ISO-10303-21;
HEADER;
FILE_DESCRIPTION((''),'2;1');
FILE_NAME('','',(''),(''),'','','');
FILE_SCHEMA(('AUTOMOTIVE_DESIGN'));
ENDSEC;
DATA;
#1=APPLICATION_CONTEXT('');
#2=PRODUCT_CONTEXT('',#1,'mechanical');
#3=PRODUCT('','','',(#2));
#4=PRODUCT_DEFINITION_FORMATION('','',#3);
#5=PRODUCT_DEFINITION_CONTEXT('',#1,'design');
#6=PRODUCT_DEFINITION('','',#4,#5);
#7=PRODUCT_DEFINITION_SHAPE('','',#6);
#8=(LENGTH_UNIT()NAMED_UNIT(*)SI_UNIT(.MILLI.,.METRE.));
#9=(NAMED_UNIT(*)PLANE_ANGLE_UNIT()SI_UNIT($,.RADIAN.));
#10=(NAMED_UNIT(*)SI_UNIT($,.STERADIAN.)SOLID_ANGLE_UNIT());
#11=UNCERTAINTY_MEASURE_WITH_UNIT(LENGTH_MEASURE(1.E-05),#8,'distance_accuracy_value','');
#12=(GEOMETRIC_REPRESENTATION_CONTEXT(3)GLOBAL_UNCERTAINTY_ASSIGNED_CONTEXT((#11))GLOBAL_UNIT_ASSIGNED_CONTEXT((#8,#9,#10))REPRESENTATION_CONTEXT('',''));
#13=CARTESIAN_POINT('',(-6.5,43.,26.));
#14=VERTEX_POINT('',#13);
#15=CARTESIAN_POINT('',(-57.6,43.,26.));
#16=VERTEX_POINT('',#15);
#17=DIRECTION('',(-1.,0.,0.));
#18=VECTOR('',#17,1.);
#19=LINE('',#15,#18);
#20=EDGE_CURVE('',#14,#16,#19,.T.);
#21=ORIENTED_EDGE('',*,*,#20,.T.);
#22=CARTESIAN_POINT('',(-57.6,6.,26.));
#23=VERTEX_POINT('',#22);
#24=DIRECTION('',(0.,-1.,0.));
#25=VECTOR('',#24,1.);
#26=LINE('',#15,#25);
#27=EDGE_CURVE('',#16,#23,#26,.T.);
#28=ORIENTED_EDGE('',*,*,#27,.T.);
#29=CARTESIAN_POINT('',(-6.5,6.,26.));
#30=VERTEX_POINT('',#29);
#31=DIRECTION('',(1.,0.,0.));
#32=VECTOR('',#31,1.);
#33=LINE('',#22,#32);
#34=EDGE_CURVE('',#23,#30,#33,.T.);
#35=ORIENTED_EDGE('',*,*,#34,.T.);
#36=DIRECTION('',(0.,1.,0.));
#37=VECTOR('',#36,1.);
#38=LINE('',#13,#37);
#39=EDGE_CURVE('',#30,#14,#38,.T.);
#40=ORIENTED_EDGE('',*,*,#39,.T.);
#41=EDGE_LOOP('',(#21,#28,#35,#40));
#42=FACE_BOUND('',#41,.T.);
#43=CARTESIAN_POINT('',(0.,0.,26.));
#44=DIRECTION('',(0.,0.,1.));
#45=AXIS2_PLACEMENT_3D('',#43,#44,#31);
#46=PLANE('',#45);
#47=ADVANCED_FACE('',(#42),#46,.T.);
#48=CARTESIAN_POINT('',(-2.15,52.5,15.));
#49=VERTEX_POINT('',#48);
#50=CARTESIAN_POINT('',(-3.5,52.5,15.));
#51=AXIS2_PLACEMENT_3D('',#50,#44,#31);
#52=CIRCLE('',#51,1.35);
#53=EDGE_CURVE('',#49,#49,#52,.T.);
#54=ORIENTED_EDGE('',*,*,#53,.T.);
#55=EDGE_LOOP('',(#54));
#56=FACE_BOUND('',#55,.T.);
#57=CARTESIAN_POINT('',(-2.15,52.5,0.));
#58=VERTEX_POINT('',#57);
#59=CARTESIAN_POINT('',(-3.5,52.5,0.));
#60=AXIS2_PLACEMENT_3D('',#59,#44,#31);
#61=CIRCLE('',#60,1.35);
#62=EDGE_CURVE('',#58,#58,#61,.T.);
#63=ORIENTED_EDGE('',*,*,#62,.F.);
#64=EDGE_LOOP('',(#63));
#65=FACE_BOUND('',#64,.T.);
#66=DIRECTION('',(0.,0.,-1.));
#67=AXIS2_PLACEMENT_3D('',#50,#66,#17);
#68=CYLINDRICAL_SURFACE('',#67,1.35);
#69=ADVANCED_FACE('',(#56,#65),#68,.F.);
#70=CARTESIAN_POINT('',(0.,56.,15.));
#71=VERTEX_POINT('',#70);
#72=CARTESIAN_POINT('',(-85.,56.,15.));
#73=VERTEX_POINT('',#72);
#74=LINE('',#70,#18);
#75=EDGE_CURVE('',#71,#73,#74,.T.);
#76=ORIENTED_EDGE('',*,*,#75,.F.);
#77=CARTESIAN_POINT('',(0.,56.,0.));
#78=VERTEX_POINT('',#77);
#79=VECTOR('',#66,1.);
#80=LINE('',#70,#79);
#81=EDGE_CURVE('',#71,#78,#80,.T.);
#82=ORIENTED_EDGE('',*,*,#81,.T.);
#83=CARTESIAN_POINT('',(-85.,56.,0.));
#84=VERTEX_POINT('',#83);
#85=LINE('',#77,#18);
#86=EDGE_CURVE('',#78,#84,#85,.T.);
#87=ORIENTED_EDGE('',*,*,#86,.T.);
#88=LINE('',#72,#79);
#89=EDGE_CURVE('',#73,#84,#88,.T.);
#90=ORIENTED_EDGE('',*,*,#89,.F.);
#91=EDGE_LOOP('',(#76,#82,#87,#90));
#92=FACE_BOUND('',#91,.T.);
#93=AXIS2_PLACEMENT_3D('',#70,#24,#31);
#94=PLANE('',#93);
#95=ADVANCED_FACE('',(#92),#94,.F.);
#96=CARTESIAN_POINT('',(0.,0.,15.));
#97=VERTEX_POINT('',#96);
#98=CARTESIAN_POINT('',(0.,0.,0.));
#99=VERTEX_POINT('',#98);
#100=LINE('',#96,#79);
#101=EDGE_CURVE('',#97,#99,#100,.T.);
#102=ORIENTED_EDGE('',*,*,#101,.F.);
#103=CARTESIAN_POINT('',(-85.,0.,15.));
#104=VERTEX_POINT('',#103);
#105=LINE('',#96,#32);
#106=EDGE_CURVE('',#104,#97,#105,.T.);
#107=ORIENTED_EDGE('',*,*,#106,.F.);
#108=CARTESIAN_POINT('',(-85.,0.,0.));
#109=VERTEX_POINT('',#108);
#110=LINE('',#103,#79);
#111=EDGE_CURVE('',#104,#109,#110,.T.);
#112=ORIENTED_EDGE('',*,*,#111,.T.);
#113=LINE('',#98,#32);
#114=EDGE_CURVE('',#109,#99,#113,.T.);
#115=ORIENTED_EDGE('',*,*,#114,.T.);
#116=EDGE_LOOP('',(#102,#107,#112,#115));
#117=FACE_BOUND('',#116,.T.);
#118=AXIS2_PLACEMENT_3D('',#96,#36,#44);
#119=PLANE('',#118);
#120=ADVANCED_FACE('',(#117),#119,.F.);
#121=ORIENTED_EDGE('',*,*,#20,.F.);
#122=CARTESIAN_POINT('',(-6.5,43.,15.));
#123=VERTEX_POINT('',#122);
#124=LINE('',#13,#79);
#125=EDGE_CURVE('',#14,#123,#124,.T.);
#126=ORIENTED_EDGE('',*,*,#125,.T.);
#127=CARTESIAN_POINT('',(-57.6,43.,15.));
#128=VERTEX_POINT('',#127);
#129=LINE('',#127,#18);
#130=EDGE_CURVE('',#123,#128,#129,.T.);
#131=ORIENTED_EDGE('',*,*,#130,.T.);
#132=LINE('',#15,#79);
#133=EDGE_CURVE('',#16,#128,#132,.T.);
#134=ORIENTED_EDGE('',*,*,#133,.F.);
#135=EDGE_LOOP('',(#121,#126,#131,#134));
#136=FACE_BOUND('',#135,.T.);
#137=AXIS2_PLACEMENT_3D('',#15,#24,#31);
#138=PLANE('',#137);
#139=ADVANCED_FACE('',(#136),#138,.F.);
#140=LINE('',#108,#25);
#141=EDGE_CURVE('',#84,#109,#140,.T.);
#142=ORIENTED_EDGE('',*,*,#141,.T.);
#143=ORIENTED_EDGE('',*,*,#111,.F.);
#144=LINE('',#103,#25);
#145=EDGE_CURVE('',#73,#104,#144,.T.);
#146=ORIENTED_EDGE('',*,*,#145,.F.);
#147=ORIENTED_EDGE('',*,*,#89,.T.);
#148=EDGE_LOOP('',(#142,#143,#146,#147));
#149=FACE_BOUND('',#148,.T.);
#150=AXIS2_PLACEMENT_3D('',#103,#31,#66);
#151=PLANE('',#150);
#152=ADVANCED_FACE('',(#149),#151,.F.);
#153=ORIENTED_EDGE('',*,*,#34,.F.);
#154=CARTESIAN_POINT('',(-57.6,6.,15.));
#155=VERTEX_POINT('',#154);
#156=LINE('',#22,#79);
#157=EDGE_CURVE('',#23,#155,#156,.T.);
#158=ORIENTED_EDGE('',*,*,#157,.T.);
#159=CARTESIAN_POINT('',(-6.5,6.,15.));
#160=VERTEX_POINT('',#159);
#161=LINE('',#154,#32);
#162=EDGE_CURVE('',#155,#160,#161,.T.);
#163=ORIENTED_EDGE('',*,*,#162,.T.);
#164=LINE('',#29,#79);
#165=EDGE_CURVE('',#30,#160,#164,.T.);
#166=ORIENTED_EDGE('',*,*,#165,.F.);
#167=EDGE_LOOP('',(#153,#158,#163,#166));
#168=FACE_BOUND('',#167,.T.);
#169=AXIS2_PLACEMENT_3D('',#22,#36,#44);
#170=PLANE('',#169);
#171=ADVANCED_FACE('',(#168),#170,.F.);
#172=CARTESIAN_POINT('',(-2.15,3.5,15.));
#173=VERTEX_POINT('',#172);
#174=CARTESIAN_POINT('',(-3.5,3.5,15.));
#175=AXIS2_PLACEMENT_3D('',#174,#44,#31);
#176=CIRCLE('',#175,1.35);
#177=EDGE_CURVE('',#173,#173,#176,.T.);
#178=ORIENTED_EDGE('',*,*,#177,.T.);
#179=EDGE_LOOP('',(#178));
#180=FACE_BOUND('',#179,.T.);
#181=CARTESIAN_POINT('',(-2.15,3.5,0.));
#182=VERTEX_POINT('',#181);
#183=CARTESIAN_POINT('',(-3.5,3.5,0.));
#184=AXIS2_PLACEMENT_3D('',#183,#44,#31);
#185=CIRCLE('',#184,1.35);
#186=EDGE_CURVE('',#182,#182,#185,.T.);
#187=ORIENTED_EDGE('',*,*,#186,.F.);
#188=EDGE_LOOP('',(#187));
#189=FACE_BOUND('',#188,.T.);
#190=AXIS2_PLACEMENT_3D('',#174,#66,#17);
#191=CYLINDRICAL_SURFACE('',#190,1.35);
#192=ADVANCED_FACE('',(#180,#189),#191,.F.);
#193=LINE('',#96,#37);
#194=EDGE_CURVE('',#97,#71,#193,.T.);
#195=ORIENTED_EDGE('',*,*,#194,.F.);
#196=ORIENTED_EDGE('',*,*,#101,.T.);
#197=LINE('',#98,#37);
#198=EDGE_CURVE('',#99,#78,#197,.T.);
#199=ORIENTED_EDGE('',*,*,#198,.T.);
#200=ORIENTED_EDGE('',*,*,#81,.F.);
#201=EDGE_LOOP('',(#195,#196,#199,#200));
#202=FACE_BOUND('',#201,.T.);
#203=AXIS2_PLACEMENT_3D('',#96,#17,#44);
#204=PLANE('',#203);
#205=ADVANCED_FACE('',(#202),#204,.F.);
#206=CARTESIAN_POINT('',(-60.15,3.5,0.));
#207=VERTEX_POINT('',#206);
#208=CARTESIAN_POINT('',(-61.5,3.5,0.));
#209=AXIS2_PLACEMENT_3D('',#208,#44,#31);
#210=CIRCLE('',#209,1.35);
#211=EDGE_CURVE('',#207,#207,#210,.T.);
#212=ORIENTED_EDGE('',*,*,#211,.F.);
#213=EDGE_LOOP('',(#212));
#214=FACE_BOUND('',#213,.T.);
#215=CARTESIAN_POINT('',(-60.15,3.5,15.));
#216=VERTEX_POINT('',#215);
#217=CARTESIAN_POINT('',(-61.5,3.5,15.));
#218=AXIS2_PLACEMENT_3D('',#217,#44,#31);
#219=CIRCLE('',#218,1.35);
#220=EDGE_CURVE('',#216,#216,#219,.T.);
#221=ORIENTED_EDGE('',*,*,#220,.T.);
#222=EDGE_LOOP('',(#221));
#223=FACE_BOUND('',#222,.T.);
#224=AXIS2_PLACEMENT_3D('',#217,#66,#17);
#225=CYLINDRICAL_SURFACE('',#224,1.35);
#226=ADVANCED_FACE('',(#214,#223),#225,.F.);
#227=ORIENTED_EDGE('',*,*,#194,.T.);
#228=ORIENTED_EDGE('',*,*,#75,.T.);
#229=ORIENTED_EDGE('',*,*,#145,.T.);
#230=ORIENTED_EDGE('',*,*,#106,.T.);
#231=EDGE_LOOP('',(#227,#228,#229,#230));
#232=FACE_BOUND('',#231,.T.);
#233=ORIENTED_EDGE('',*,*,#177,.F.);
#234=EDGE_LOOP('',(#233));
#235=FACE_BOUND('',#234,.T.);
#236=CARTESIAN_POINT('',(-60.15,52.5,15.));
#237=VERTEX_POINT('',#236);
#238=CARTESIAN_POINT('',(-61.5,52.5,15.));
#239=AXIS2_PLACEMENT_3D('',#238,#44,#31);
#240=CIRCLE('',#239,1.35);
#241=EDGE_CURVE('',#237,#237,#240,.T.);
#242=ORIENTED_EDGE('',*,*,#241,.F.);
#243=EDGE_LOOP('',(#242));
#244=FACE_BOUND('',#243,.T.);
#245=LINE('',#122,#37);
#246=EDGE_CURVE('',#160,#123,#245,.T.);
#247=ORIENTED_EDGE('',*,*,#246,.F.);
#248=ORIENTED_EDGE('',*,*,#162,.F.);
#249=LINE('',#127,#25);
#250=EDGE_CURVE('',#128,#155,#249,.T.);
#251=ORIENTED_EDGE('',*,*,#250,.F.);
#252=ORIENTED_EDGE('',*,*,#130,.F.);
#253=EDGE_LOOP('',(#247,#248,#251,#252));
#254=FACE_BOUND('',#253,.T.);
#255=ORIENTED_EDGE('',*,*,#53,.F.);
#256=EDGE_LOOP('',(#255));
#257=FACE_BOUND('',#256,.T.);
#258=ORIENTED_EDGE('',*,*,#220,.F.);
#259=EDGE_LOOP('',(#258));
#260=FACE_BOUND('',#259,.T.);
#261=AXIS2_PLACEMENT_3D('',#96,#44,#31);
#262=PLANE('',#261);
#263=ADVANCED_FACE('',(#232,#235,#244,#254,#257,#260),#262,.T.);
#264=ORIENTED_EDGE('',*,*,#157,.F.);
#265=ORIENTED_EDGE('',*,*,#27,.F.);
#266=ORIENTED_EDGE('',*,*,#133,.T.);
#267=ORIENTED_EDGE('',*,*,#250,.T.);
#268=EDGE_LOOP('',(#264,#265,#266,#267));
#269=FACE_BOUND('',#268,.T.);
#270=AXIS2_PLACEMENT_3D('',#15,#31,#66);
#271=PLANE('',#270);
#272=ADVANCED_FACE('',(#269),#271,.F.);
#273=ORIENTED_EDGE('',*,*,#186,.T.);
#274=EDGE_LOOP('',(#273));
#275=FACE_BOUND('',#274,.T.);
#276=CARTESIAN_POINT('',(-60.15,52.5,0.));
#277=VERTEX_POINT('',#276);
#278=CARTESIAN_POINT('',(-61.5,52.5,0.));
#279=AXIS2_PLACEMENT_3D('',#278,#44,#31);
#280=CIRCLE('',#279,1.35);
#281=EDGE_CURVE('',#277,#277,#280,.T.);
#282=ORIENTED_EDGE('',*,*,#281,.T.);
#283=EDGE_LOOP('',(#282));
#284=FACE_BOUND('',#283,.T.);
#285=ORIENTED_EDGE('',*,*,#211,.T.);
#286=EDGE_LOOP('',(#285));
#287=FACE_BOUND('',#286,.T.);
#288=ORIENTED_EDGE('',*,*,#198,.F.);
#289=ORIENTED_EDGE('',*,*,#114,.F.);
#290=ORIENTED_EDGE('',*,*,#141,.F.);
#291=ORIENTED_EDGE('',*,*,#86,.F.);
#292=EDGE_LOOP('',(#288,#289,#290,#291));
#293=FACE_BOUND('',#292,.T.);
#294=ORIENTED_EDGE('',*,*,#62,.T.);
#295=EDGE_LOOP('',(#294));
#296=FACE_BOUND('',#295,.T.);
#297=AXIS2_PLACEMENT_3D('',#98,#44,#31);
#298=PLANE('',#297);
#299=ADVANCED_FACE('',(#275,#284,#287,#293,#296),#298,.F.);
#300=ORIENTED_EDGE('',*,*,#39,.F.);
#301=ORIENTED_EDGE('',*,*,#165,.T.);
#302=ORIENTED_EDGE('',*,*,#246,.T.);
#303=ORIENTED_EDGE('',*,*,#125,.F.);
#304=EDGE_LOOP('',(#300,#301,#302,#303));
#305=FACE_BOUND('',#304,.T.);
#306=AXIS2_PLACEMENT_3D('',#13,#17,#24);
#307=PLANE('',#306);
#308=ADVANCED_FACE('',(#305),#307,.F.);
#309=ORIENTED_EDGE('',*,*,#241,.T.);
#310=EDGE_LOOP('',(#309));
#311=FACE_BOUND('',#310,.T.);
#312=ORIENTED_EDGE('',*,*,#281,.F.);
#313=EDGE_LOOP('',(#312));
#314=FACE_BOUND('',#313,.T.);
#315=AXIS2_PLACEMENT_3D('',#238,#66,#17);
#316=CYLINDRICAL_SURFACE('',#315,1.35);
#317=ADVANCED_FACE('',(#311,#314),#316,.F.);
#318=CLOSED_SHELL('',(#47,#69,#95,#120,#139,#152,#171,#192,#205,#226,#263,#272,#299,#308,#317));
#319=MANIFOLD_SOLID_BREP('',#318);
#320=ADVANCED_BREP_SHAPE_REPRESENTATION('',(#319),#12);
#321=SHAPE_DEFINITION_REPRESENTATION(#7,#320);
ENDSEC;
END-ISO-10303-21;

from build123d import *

# Parameters (mm, degrees)
SKETCH_1_W      = 85
SKETCH_1_H      = 56
SKETCH_1_R      = 1.35
EXTRUDE_1_DEPTH = 15
SKETCH_2_W      = 51.1
SKETCH_2_H      = 37
EXTRUDE_2_DEPTH = 11


with BuildPart() as part:
    # 草图1 → 凸台-拉伸1 (new body)
    with BuildSketch(Plane.XY):
        with Locations((-42.5, 28)):
            Rectangle(SKETCH_1_W, SKETCH_1_H)
        with Locations((-3.5, 52.5)):
            Circle(SKETCH_1_R, mode=Mode.SUBTRACT)
        with Locations((-3.5, 3.5)):
            Circle(SKETCH_1_R, mode=Mode.SUBTRACT)
        with Locations((-61.5, 3.5)):
            Circle(SKETCH_1_R, mode=Mode.SUBTRACT)
        with Locations((-61.5, 52.5)):
            Circle(SKETCH_1_R, mode=Mode.SUBTRACT)
    extrude(amount=EXTRUDE_1_DEPTH)

    # 草图2 → 凸台-拉伸2 (add)
    with BuildSketch(Plane.XY.offset(15)):
        with Locations((-32.05, 24.5)):
            Rectangle(SKETCH_2_W, SKETCH_2_H)
    extrude(amount=EXTRUDE_2_DEPTH)


solid = part.part
